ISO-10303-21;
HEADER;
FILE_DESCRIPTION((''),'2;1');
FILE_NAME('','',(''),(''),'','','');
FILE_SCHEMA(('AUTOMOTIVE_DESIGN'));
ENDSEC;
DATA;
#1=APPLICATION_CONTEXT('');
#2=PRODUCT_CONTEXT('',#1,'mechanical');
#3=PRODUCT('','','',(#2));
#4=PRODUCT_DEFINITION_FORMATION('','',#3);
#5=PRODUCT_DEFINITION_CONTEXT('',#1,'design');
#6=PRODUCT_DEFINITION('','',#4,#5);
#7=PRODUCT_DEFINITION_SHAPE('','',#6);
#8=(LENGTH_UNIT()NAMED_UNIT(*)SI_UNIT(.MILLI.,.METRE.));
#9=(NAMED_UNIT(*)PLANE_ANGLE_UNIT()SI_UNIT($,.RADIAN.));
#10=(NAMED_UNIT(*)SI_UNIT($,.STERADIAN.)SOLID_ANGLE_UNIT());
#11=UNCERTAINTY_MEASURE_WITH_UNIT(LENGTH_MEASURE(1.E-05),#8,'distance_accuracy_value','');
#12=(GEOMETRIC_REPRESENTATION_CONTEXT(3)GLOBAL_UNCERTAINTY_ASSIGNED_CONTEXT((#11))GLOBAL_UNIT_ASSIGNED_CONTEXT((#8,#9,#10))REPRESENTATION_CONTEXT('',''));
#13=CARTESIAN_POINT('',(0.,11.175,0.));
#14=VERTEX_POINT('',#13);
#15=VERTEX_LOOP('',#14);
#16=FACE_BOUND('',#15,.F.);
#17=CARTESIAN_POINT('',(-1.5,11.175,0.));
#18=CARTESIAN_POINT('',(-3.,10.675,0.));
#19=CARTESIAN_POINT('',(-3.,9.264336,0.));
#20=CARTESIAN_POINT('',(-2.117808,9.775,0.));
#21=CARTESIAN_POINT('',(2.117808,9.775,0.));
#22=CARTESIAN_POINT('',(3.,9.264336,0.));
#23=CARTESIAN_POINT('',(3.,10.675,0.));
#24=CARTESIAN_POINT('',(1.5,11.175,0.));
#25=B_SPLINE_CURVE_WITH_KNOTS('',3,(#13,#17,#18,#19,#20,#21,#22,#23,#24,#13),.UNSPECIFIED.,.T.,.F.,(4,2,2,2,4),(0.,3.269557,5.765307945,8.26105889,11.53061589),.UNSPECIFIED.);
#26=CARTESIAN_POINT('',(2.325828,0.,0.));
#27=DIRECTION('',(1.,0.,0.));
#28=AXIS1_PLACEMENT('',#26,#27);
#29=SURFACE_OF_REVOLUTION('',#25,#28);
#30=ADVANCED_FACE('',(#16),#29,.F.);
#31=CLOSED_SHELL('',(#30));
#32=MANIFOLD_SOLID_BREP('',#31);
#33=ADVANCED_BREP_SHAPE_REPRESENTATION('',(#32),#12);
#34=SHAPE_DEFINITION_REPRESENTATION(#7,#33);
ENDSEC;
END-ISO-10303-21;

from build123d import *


with BuildPart() as f1:
    # F0 (on Top) → F1 (revolve)
    with BuildSketch(Plane.XY):
        with BuildLine():
            add(Edge.make_bspline(
                [(0, 11.175), (1.5, 11.175), (3, 10.675), (3, 9.875)],
                knots=[0, 0, 0, 0, 3.269557, 3.269557, 3.269557, 3.269557], degree=3))
            add(Edge.make_bspline(
                [(0, 11.175), (-1.5, 11.175), (-3, 10.675), (-3, 9.875)],
                knots=[0, 0, 0, 0, 3.269557, 3.269557, 3.269557, 3.269557], degree=3))
            add(Edge.make_bspline(
                [(-3, 9.875), (-3, 9.264336), (-2.117808, 9.775), (0, 9.775)],
                knots=[0, 0, 0, 0, 3.001666, 3.001666, 3.001666, 3.001666], degree=3))
            add(Edge.make_bspline(
                [(3, 9.875), (3, 9.264336), (2.117808, 9.775), (0, 9.775)],
                knots=[0, 0, 0, 0, 3.001666, 3.001666, 3.001666, 3.001666], degree=3))
        make_face()
    revolve(axis=Axis((2.325828, 0, 0), (1, 0, 0)))


solid = f1.part
